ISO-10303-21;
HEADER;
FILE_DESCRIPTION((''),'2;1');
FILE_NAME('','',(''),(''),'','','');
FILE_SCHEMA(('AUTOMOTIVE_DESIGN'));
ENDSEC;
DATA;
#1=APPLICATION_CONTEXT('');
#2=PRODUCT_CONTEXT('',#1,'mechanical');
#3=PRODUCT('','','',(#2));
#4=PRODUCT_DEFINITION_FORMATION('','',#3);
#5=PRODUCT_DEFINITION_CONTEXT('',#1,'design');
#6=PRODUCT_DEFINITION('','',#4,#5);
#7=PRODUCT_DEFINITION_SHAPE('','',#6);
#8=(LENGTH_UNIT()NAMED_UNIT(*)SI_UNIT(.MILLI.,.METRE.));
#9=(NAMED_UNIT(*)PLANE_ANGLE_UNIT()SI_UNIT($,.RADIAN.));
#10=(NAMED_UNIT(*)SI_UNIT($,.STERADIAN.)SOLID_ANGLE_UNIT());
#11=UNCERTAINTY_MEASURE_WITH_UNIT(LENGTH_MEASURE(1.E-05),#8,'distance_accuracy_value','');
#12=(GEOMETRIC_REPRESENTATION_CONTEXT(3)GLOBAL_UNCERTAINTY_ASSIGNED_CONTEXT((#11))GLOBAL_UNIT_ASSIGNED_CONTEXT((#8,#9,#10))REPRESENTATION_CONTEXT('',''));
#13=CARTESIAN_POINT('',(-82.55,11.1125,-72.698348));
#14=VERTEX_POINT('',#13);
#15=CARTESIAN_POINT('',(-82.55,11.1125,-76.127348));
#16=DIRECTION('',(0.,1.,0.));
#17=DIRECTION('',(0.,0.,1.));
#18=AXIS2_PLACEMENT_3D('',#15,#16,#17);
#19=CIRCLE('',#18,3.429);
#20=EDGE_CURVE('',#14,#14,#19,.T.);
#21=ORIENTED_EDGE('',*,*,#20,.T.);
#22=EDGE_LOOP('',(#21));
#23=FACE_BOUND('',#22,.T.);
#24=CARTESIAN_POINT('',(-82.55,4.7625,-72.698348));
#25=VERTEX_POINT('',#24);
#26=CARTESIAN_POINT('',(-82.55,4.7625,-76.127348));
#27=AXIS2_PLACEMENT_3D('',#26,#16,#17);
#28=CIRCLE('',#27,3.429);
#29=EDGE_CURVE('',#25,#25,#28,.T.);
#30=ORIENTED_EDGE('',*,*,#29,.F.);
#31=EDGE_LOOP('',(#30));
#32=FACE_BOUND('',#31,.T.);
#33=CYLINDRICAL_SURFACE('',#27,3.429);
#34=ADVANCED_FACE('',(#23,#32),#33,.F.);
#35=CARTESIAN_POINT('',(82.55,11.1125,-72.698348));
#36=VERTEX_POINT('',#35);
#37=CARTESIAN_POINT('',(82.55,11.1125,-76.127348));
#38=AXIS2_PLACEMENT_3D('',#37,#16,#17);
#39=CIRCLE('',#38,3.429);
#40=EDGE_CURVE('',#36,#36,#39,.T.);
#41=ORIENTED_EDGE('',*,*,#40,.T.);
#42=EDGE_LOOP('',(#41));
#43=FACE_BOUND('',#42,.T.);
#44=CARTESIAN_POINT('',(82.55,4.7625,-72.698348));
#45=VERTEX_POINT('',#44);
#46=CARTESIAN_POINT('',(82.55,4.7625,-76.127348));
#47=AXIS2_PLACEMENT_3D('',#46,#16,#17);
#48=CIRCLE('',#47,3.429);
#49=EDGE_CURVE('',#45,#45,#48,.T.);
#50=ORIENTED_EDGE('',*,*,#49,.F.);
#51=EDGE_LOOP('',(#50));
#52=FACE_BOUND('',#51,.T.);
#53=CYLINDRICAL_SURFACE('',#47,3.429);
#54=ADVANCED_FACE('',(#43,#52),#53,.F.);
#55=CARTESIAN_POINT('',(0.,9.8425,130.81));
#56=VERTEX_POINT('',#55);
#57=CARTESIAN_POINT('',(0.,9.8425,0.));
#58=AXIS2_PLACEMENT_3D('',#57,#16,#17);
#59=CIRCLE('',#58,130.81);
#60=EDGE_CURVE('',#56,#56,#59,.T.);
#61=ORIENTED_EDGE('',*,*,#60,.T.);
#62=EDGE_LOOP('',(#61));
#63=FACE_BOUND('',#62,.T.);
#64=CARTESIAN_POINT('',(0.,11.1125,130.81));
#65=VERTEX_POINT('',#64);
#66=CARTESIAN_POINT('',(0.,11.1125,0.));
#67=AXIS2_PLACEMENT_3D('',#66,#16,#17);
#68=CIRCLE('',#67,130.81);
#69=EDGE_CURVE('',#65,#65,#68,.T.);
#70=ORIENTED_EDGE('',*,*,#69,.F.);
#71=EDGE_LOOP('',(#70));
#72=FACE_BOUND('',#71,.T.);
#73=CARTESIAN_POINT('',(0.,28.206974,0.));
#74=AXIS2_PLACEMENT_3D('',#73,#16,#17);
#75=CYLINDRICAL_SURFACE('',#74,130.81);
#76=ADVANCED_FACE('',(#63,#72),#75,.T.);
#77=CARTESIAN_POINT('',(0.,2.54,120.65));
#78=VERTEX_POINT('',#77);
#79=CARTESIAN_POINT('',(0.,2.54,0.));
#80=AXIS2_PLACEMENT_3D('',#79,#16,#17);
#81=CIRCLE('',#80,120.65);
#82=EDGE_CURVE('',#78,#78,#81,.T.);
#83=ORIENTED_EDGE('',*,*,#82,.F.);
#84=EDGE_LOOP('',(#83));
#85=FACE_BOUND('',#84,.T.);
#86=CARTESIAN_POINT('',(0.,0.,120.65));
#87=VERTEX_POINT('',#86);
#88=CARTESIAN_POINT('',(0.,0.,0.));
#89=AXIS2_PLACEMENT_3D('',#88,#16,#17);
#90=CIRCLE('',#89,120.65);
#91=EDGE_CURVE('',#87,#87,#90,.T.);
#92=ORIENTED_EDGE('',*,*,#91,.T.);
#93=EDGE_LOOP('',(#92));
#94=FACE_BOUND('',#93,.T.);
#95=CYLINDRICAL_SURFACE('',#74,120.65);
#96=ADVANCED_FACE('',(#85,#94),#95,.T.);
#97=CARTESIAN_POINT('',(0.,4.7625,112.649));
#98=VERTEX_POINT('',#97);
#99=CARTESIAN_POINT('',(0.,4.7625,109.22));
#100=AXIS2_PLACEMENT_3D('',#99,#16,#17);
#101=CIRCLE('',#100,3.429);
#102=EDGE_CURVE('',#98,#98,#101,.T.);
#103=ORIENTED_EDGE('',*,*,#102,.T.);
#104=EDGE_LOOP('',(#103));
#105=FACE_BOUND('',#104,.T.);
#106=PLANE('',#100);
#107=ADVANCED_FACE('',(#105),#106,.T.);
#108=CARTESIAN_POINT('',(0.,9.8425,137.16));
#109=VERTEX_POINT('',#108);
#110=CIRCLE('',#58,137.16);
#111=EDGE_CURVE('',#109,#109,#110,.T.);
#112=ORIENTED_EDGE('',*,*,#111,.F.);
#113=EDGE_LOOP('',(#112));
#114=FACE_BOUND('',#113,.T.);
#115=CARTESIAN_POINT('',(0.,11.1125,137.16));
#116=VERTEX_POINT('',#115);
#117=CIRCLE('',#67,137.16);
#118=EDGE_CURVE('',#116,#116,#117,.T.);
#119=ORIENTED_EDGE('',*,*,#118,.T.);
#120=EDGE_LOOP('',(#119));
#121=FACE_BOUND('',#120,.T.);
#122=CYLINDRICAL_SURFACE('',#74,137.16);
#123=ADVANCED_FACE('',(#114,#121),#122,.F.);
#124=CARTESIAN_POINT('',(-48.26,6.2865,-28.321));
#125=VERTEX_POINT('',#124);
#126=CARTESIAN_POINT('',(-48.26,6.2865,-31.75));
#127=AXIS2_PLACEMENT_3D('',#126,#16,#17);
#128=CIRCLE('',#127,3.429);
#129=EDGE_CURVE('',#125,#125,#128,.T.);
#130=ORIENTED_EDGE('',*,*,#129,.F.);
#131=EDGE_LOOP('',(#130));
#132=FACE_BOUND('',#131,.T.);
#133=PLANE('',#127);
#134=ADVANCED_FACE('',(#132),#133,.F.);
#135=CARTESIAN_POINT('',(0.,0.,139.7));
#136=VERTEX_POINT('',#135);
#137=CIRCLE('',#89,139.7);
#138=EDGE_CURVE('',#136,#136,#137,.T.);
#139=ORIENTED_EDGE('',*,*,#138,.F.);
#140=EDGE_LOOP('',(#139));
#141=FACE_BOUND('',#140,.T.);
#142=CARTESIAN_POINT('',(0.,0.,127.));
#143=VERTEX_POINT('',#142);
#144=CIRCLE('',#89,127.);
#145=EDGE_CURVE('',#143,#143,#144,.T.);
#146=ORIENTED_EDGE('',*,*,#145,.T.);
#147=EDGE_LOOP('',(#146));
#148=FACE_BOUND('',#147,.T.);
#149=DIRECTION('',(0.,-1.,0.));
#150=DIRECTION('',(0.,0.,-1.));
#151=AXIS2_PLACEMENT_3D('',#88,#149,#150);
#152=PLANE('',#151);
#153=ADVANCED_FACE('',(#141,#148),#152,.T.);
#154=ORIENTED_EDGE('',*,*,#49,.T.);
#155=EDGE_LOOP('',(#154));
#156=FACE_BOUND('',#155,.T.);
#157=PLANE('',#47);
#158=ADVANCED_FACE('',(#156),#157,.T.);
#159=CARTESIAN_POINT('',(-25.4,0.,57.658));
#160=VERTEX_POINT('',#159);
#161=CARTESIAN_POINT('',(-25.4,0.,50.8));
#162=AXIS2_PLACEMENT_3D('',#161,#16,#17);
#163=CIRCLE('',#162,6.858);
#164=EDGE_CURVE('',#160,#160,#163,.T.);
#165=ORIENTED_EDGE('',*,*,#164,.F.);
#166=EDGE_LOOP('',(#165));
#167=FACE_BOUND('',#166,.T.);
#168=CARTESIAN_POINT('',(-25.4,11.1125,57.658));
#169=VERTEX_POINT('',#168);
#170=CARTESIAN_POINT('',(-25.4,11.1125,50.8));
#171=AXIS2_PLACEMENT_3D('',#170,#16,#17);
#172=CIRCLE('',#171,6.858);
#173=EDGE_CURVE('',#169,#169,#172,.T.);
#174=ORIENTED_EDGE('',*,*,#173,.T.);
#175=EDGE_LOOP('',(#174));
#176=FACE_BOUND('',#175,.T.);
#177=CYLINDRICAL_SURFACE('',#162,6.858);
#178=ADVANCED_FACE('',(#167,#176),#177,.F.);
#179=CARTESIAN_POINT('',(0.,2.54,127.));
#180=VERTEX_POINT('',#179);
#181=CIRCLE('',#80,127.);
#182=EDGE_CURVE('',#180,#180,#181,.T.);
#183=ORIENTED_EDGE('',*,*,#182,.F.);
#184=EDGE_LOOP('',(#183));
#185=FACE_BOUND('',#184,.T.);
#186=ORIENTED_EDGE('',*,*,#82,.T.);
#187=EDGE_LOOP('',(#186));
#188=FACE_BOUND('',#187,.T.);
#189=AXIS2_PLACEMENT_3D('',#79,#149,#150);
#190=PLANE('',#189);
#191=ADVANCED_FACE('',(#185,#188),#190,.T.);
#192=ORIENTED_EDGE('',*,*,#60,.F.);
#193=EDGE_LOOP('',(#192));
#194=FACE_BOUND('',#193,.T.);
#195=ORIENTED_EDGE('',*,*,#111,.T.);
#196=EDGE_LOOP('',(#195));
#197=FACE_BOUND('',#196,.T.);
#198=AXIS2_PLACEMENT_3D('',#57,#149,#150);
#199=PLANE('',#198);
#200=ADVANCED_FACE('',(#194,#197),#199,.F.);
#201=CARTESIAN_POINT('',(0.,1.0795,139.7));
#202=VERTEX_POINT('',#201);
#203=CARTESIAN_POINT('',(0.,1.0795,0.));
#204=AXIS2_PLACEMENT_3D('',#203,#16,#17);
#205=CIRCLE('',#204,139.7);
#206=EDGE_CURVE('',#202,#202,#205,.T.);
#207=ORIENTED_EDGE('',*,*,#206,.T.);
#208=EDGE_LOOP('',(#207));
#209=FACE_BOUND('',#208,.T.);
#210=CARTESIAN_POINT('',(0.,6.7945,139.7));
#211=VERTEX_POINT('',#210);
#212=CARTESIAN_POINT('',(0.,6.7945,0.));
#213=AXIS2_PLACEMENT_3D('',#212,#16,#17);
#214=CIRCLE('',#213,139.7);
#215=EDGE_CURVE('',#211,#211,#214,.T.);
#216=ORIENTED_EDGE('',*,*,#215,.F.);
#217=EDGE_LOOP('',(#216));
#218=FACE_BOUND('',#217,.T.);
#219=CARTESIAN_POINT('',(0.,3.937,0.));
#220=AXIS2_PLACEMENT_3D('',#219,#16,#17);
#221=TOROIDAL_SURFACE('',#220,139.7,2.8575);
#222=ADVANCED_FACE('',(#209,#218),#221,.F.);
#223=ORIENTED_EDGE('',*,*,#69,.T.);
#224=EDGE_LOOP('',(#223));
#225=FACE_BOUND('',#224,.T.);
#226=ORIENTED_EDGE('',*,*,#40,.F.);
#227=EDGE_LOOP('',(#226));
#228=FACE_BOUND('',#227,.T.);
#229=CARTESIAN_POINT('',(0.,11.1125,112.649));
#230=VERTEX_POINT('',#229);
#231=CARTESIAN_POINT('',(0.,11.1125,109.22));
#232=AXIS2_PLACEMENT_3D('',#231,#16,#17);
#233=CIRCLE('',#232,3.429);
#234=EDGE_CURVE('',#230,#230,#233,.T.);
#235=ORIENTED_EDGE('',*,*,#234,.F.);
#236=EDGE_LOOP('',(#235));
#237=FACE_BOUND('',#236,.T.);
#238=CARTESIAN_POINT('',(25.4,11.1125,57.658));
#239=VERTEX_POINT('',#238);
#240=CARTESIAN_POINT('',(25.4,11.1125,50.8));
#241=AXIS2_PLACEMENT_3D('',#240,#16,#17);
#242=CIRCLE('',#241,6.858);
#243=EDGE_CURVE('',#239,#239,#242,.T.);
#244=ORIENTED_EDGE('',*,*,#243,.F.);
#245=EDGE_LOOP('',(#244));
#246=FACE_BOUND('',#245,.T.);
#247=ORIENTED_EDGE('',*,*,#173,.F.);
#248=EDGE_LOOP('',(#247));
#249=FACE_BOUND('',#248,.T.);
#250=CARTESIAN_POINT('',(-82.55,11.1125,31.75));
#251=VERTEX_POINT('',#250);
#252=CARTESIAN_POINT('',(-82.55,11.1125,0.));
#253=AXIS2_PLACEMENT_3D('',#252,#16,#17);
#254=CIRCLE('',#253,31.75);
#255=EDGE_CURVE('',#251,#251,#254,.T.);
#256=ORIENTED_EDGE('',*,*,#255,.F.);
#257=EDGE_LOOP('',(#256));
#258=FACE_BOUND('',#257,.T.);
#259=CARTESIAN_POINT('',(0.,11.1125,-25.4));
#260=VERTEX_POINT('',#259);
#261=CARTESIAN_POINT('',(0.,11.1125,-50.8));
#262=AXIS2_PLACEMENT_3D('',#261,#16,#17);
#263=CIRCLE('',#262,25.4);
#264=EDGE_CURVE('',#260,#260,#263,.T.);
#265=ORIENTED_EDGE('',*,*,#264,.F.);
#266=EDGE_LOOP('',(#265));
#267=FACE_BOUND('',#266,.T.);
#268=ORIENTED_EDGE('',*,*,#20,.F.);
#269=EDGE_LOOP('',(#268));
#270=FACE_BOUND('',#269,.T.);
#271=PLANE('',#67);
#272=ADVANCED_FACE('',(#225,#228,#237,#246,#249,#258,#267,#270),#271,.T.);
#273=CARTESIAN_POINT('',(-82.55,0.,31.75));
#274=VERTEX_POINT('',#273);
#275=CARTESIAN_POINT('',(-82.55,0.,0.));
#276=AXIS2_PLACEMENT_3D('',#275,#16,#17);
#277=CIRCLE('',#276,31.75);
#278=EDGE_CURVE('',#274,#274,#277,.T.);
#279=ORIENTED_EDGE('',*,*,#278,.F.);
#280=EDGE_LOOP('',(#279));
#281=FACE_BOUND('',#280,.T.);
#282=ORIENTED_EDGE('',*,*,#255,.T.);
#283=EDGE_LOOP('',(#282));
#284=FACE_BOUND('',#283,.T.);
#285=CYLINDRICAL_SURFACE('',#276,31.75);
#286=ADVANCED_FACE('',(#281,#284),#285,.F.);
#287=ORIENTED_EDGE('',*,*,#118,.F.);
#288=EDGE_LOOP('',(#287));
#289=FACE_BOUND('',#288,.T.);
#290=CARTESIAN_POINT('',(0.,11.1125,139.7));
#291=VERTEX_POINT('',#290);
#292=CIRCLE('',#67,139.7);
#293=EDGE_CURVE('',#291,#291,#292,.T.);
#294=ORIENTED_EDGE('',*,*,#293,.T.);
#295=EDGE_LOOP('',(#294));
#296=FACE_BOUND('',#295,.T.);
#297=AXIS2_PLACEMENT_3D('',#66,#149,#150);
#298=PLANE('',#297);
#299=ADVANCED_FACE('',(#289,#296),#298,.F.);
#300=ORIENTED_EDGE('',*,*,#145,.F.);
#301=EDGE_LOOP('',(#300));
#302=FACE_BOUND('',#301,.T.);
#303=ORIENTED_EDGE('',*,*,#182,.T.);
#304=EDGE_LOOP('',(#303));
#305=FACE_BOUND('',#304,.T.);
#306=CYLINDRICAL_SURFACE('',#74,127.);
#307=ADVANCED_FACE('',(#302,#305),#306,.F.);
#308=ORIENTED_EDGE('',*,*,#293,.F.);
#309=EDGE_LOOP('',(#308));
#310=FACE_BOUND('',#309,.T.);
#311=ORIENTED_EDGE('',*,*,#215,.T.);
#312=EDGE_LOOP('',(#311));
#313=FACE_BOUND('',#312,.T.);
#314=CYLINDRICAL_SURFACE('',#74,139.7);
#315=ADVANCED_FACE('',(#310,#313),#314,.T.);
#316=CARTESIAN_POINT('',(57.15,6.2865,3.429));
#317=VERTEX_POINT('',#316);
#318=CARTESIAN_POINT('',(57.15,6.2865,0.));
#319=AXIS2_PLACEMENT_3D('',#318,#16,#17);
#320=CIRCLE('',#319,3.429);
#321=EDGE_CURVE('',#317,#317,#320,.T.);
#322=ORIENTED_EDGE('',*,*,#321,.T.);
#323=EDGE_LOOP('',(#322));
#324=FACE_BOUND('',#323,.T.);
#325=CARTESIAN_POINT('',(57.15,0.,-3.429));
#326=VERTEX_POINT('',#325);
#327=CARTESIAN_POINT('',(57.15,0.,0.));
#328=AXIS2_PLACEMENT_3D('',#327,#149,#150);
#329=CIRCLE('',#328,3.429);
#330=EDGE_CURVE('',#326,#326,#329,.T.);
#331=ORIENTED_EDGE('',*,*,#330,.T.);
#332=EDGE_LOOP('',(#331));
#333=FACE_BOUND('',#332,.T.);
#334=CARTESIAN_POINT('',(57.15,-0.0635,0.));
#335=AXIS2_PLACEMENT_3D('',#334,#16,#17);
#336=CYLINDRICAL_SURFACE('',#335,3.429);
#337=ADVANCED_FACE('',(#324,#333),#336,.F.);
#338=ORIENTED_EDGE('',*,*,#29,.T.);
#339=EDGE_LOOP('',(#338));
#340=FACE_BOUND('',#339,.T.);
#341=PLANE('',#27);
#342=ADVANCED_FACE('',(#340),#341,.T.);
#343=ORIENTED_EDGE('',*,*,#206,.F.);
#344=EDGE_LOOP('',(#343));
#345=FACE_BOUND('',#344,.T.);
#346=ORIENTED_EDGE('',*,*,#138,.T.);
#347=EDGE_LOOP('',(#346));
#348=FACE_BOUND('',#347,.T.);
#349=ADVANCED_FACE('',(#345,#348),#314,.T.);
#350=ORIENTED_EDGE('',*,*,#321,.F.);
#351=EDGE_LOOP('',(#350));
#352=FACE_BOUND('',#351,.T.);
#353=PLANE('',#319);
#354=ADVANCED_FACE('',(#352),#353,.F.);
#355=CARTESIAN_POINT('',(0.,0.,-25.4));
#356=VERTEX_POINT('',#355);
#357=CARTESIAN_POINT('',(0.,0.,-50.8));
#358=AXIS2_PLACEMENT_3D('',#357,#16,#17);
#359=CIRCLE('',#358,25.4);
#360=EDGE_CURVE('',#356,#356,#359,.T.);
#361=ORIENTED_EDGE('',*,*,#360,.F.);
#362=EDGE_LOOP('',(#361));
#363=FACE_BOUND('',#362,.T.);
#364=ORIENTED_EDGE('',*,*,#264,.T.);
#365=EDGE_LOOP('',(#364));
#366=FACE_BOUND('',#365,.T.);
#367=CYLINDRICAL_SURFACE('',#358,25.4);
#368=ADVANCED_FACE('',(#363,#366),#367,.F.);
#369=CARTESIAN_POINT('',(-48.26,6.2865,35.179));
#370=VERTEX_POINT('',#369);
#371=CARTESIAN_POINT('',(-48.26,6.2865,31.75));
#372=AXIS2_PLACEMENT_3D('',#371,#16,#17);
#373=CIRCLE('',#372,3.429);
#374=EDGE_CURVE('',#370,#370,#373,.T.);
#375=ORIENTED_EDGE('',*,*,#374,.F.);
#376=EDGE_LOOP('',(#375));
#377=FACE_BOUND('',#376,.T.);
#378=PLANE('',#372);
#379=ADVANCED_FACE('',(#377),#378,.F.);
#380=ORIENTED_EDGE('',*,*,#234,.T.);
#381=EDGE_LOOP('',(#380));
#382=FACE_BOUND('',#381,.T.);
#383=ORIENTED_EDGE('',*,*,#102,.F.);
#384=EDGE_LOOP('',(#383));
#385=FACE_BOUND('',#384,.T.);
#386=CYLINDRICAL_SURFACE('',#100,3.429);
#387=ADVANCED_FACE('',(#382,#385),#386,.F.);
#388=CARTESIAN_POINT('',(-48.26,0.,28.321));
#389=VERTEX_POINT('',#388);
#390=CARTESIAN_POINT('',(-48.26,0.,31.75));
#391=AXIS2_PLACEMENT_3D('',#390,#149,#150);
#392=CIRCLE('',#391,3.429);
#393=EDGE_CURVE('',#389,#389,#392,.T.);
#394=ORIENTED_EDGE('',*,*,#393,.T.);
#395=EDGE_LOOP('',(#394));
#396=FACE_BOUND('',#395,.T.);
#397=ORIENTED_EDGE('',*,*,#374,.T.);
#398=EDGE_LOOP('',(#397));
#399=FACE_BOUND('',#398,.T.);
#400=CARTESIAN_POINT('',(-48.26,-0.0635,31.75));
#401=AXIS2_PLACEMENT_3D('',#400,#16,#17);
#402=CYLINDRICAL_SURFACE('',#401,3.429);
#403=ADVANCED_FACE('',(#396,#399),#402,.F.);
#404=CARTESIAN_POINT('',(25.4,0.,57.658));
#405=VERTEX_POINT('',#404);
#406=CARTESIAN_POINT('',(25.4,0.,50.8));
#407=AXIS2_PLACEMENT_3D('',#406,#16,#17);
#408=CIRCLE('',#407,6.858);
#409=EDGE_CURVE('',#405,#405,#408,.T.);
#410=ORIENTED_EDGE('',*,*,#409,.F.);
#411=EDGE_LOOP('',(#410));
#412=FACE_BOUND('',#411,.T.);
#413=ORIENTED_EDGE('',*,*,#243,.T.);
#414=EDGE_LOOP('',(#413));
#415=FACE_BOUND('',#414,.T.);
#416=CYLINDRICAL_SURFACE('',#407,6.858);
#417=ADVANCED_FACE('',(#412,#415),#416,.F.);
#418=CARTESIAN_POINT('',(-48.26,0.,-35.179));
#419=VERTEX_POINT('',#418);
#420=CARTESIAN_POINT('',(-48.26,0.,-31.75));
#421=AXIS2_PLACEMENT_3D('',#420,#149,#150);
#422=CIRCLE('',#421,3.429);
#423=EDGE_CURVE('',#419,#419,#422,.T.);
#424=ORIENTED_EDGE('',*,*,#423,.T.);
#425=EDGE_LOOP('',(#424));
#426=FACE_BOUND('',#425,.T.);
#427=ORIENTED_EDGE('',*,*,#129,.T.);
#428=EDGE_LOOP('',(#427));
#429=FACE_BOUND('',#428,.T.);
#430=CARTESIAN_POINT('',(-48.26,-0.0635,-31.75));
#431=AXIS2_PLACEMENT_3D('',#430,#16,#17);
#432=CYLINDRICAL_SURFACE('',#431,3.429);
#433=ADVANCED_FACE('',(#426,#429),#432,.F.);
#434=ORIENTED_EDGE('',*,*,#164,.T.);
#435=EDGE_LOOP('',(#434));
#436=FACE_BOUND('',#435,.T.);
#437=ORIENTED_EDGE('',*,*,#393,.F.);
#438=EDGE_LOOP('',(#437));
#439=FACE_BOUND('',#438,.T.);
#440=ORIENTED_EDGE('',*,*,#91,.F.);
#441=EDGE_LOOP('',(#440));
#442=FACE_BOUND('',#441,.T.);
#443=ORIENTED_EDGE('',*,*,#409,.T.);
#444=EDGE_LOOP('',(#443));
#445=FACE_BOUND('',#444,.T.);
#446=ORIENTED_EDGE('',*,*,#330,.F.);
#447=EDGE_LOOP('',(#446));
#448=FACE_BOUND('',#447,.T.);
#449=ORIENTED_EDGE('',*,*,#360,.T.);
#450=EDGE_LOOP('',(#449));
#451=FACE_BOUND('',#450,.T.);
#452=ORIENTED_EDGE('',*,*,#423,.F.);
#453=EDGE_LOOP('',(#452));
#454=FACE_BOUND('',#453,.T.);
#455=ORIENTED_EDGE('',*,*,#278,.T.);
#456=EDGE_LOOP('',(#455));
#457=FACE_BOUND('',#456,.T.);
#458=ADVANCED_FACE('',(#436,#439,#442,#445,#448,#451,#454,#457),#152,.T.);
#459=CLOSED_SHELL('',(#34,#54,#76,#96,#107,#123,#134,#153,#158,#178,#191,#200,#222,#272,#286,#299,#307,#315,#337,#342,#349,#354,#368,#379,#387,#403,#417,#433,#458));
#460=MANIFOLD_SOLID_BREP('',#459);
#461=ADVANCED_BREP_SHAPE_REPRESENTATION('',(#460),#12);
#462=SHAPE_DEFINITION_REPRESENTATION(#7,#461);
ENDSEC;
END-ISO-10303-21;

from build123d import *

# Parameters (mm, degrees)
SKETCH2_R          = 6.858
CUT_EXTRUDE1_DEPTH = 198.877910986
SKETCH3_R          = 25.4
SKETCH3_R_2        = 31.75
CUT_EXTRUDE3_DEPTH = 198.877910986
CUT_EXTRUDE4_START = -4.826
SKETCH4_R          = 3.429
CUT_EXTRUDE4_DEPTH = 6.35
SKETCH6_R          = 3.429
CUT_EXTRUDE6_DEPTH = 6.35


with BuildPart() as part:
    # Sketch1 → Revolve2 (revolve)
    with BuildSketch(Plane.XY, mode=Mode.PRIVATE) as revolve2_sk:
        with BuildLine():
            ThreePointArc((139.7, 6.7945), (136.8425, 3.937), (139.7, 1.0795))
            Line((139.7, 1.0795), (139.7, 0))
            Line((139.7, 0), (127, 0))
            Line((127, 0), (127, 2.54))
            Line((127, 2.54), (120.65, 2.54))
            Line((120.65, 2.54), (120.65, 0))
            Line((120.65, 0), (0, 0))
            Line((0, 0), (0, 11.1125))
            Line((0, 11.1125), (130.81, 11.1125))
            Line((130.81, 11.1125), (130.81, 9.8425))
            Line((130.81, 9.8425), (137.16, 9.8425))
            Line((137.16, 9.8425), (137.16, 11.1125))
            Line((137.16, 11.1125), (139.7, 11.1125))
            Line((139.7, 11.1125), (139.7, 6.7945))
        make_face()
    revolve(revolve2_sk.sketch.rotate(Axis((0, 28.20697446, 0), (0, -1, 0)), 90), axis=Axis((0, 28.20697446, 0), (0, -1, 0)))

    # Sketch2 → Cut-Extrude1 (cut, through all)
    with BuildSketch(Plane(origin=(0, 11.1125, 0), x_dir=(1, 0, 0), z_dir=(0, 1, 0))):
        with Locations(Location((-25.4, -50.8, 0), (0, 0, 270))):
            Circle(SKETCH2_R)
        with Locations(Location((25.4, -50.8, 0), (0, 0, 270))):
            Circle(SKETCH2_R)
    extrude(amount=-CUT_EXTRUDE1_DEPTH, mode=Mode.SUBTRACT)

    # Sketch3 → Cut-Extrude3 (cut, through all)
    with BuildSketch(Plane(origin=(0, 11.1125, 0), x_dir=(1, 0, 0), z_dir=(0, 1, 0))):
        with Locations(Location((0, 50.8, 0), (0, 0, 270))):
            Circle(SKETCH3_R)
        with Locations(Location((-82.55, 0, 0), (0, 0, 270))):
            Circle(SKETCH3_R_2)
    extrude(amount=-CUT_EXTRUDE3_DEPTH, mode=Mode.SUBTRACT)

    # Sketch4 → Cut-Extrude4 (cut)
    with BuildSketch(Plane(origin=(0, 11.1125, 0), x_dir=(1, 0, 0), z_dir=(0, 1, 0)).offset(CUT_EXTRUDE4_START)):
        with Locations(Location((57.15, 0, 0), (0, 0, 270))):
            Circle(SKETCH4_R)
        with Locations(Location((-48.26, -31.75, 0), (0, 0, 270))):
            Circle(SKETCH4_R)
        with Locations(Location((-48.26, 31.75, 0), (0, 0, 270))):
            Circle(SKETCH4_R)
    extrude(amount=-CUT_EXTRUDE4_DEPTH, mode=Mode.SUBTRACT)

    # Sketch6 → Cut-Extrude6 (cut)
    with BuildSketch(Plane(origin=(0, 11.1125, 0), x_dir=(1, 0, 0), z_dir=(0, 1, 0))):
        with Locations(Location((0, -109.22, 0), (0, 0, 270))):
            Circle(SKETCH6_R)
        with Locations(Location((82.55, 76.127347805, 0), (0, 0, 270))):
            Circle(SKETCH6_R)
        with Locations(Location((-82.55, 76.127347805, 0), (0, 0, 270))):
            Circle(SKETCH6_R)
    extrude(amount=-CUT_EXTRUDE6_DEPTH, mode=Mode.SUBTRACT)


solid = part.part
